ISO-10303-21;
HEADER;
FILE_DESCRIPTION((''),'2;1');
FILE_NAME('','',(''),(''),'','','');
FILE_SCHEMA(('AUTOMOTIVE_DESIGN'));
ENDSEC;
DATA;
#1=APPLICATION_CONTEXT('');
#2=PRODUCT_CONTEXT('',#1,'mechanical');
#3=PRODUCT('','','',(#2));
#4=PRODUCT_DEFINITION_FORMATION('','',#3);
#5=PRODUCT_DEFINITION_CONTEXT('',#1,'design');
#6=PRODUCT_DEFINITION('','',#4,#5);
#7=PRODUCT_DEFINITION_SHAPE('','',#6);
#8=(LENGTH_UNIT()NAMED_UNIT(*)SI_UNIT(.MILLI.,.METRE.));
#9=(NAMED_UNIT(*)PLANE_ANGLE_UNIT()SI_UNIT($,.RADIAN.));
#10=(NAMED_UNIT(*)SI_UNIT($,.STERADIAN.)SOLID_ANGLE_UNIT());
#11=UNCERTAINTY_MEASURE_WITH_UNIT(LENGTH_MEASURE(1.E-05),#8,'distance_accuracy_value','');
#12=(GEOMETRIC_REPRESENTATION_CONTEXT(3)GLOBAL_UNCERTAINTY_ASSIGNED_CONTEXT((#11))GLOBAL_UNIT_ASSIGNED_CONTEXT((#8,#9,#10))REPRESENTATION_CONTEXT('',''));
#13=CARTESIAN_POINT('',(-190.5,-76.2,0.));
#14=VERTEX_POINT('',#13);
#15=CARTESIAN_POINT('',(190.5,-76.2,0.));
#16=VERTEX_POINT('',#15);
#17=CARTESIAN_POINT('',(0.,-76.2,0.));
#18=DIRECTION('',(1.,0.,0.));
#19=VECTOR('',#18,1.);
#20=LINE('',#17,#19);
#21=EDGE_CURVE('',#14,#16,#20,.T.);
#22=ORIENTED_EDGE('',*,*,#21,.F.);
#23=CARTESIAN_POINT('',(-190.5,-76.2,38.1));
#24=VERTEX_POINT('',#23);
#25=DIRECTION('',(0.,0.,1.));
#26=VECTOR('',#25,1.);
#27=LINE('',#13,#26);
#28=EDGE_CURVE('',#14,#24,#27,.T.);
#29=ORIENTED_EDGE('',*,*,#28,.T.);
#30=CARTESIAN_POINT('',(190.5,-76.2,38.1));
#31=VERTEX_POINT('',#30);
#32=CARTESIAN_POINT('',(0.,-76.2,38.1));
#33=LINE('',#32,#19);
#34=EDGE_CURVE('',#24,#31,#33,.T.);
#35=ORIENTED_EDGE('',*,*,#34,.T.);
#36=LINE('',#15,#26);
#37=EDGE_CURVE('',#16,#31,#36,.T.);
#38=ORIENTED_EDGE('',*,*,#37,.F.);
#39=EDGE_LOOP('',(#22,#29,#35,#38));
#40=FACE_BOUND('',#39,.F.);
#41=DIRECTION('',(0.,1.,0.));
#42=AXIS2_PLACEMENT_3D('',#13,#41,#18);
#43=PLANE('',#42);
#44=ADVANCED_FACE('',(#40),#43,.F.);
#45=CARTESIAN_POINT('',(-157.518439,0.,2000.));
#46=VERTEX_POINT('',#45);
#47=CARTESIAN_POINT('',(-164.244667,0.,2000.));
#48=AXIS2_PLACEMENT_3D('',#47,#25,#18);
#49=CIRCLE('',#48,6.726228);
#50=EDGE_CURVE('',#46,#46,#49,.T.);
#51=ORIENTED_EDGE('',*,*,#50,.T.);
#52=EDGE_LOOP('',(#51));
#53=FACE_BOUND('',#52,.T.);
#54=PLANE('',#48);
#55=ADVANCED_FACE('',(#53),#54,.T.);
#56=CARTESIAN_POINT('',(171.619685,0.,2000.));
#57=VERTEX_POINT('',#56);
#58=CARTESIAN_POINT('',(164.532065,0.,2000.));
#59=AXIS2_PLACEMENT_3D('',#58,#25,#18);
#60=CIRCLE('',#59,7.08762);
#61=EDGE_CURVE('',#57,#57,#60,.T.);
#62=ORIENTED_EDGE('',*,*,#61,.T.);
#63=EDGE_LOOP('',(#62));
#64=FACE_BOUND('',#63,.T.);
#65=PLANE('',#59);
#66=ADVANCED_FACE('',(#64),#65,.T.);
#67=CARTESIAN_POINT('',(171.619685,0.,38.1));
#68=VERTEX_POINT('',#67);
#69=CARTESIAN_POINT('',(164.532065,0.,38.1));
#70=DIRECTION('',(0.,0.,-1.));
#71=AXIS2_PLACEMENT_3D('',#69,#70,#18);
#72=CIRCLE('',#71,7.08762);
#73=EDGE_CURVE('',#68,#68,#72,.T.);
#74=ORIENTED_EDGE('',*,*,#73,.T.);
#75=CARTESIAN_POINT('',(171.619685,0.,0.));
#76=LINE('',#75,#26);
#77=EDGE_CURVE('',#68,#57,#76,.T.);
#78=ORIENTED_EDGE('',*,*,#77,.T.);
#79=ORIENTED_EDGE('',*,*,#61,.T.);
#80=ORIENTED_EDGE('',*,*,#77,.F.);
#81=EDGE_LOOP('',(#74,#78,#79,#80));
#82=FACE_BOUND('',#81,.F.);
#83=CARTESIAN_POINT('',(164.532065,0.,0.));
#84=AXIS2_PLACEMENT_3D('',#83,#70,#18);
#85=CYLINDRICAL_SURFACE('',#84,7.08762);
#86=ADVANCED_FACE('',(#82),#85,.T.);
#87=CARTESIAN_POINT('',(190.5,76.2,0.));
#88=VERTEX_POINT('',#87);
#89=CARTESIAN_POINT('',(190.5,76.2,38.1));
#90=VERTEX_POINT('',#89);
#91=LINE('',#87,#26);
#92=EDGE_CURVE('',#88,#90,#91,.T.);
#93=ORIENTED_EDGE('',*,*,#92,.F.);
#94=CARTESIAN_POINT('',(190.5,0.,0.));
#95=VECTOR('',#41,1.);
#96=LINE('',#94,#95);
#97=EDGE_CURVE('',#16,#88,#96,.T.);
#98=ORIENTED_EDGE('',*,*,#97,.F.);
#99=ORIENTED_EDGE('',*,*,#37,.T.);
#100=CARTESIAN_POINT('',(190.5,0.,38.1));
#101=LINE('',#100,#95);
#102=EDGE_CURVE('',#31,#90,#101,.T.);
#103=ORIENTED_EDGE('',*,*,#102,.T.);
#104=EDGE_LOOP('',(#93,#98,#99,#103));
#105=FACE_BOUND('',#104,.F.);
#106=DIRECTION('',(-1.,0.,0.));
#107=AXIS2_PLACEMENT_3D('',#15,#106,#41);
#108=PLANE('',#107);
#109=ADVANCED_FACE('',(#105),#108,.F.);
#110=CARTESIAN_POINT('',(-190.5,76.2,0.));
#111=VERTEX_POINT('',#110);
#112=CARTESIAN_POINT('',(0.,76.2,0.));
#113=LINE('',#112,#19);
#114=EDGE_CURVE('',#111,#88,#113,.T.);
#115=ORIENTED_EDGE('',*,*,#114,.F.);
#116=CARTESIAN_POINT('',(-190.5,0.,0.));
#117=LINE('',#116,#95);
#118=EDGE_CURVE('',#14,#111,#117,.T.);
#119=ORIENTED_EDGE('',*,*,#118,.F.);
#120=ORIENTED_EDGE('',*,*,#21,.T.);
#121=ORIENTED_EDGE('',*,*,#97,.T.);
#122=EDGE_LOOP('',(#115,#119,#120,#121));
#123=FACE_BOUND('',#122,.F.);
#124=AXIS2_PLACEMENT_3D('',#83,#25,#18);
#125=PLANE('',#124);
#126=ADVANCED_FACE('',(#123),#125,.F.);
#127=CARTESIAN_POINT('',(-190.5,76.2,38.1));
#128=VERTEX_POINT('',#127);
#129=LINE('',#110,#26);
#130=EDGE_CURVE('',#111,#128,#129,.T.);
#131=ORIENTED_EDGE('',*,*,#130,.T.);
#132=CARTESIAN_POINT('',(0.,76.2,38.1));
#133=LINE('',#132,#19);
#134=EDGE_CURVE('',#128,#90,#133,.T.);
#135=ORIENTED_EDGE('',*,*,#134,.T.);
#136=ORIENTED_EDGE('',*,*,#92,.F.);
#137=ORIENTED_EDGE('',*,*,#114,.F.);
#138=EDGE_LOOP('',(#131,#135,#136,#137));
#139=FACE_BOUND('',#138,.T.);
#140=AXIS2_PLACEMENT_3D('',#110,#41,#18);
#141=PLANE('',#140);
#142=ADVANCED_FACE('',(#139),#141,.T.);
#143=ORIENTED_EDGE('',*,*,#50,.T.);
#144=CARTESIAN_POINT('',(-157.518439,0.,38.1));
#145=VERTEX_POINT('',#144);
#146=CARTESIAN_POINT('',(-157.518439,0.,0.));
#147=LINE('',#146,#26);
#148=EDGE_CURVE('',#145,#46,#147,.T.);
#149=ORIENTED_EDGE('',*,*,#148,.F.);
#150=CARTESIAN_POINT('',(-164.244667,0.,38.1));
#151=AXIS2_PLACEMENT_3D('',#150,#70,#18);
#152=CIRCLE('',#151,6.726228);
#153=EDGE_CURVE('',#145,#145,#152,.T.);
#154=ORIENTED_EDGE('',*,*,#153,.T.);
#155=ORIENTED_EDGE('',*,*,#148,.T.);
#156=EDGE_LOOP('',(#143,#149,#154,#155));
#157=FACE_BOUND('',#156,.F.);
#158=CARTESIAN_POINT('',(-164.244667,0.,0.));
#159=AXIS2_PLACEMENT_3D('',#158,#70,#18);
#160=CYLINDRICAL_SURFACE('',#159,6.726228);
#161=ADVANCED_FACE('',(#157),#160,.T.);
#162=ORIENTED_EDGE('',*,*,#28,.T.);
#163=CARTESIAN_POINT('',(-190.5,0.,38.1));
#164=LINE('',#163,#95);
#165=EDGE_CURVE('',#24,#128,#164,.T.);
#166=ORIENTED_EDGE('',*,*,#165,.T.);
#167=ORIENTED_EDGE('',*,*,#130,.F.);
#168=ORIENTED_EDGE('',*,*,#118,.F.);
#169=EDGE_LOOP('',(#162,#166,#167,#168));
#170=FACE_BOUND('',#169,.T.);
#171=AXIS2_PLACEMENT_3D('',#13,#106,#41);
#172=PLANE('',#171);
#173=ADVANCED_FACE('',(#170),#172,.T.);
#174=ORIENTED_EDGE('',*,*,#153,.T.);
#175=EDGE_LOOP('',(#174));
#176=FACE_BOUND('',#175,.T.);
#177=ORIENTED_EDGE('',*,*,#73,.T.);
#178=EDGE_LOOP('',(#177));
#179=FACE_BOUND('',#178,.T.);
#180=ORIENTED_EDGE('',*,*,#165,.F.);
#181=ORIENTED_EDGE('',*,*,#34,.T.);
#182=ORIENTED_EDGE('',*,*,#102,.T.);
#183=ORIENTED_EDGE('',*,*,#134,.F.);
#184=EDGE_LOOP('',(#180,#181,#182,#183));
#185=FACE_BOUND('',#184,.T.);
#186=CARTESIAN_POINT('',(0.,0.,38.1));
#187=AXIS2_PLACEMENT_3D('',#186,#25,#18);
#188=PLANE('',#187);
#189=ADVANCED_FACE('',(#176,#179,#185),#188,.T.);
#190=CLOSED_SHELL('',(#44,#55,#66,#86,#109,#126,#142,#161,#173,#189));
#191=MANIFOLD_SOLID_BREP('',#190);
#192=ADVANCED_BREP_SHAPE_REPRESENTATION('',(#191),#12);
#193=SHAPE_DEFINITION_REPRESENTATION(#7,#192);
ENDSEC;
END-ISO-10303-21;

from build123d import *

# Parameters (mm, degrees)
F0_W     = 381
F0_H     = 152.4
F1_DEPTH = 38.1
F2_R     = 6.726228
F4_DEPTH = 2000
F3_R     = 7.08762
F5_DEPTH = 2000


with BuildPart() as f1:
    # F0 (on Top) → F1 (new body)
    with BuildSketch(Plane.XY):
        Rectangle(F0_W, F0_H)
    extrude(amount=F1_DEPTH)

    # F2 (on Top) → F4 (join)
    with BuildSketch(Plane.XY):
        with Locations((-164.244667, 0)):
            Circle(F2_R)
    extrude(amount=F4_DEPTH)

    # F3 (on Top) → F5 (join)
    with BuildSketch(Plane.XY):
        with Locations((164.532065, 0)):
            Circle(F3_R)
    extrude(amount=F5_DEPTH)


solid = f1.part
